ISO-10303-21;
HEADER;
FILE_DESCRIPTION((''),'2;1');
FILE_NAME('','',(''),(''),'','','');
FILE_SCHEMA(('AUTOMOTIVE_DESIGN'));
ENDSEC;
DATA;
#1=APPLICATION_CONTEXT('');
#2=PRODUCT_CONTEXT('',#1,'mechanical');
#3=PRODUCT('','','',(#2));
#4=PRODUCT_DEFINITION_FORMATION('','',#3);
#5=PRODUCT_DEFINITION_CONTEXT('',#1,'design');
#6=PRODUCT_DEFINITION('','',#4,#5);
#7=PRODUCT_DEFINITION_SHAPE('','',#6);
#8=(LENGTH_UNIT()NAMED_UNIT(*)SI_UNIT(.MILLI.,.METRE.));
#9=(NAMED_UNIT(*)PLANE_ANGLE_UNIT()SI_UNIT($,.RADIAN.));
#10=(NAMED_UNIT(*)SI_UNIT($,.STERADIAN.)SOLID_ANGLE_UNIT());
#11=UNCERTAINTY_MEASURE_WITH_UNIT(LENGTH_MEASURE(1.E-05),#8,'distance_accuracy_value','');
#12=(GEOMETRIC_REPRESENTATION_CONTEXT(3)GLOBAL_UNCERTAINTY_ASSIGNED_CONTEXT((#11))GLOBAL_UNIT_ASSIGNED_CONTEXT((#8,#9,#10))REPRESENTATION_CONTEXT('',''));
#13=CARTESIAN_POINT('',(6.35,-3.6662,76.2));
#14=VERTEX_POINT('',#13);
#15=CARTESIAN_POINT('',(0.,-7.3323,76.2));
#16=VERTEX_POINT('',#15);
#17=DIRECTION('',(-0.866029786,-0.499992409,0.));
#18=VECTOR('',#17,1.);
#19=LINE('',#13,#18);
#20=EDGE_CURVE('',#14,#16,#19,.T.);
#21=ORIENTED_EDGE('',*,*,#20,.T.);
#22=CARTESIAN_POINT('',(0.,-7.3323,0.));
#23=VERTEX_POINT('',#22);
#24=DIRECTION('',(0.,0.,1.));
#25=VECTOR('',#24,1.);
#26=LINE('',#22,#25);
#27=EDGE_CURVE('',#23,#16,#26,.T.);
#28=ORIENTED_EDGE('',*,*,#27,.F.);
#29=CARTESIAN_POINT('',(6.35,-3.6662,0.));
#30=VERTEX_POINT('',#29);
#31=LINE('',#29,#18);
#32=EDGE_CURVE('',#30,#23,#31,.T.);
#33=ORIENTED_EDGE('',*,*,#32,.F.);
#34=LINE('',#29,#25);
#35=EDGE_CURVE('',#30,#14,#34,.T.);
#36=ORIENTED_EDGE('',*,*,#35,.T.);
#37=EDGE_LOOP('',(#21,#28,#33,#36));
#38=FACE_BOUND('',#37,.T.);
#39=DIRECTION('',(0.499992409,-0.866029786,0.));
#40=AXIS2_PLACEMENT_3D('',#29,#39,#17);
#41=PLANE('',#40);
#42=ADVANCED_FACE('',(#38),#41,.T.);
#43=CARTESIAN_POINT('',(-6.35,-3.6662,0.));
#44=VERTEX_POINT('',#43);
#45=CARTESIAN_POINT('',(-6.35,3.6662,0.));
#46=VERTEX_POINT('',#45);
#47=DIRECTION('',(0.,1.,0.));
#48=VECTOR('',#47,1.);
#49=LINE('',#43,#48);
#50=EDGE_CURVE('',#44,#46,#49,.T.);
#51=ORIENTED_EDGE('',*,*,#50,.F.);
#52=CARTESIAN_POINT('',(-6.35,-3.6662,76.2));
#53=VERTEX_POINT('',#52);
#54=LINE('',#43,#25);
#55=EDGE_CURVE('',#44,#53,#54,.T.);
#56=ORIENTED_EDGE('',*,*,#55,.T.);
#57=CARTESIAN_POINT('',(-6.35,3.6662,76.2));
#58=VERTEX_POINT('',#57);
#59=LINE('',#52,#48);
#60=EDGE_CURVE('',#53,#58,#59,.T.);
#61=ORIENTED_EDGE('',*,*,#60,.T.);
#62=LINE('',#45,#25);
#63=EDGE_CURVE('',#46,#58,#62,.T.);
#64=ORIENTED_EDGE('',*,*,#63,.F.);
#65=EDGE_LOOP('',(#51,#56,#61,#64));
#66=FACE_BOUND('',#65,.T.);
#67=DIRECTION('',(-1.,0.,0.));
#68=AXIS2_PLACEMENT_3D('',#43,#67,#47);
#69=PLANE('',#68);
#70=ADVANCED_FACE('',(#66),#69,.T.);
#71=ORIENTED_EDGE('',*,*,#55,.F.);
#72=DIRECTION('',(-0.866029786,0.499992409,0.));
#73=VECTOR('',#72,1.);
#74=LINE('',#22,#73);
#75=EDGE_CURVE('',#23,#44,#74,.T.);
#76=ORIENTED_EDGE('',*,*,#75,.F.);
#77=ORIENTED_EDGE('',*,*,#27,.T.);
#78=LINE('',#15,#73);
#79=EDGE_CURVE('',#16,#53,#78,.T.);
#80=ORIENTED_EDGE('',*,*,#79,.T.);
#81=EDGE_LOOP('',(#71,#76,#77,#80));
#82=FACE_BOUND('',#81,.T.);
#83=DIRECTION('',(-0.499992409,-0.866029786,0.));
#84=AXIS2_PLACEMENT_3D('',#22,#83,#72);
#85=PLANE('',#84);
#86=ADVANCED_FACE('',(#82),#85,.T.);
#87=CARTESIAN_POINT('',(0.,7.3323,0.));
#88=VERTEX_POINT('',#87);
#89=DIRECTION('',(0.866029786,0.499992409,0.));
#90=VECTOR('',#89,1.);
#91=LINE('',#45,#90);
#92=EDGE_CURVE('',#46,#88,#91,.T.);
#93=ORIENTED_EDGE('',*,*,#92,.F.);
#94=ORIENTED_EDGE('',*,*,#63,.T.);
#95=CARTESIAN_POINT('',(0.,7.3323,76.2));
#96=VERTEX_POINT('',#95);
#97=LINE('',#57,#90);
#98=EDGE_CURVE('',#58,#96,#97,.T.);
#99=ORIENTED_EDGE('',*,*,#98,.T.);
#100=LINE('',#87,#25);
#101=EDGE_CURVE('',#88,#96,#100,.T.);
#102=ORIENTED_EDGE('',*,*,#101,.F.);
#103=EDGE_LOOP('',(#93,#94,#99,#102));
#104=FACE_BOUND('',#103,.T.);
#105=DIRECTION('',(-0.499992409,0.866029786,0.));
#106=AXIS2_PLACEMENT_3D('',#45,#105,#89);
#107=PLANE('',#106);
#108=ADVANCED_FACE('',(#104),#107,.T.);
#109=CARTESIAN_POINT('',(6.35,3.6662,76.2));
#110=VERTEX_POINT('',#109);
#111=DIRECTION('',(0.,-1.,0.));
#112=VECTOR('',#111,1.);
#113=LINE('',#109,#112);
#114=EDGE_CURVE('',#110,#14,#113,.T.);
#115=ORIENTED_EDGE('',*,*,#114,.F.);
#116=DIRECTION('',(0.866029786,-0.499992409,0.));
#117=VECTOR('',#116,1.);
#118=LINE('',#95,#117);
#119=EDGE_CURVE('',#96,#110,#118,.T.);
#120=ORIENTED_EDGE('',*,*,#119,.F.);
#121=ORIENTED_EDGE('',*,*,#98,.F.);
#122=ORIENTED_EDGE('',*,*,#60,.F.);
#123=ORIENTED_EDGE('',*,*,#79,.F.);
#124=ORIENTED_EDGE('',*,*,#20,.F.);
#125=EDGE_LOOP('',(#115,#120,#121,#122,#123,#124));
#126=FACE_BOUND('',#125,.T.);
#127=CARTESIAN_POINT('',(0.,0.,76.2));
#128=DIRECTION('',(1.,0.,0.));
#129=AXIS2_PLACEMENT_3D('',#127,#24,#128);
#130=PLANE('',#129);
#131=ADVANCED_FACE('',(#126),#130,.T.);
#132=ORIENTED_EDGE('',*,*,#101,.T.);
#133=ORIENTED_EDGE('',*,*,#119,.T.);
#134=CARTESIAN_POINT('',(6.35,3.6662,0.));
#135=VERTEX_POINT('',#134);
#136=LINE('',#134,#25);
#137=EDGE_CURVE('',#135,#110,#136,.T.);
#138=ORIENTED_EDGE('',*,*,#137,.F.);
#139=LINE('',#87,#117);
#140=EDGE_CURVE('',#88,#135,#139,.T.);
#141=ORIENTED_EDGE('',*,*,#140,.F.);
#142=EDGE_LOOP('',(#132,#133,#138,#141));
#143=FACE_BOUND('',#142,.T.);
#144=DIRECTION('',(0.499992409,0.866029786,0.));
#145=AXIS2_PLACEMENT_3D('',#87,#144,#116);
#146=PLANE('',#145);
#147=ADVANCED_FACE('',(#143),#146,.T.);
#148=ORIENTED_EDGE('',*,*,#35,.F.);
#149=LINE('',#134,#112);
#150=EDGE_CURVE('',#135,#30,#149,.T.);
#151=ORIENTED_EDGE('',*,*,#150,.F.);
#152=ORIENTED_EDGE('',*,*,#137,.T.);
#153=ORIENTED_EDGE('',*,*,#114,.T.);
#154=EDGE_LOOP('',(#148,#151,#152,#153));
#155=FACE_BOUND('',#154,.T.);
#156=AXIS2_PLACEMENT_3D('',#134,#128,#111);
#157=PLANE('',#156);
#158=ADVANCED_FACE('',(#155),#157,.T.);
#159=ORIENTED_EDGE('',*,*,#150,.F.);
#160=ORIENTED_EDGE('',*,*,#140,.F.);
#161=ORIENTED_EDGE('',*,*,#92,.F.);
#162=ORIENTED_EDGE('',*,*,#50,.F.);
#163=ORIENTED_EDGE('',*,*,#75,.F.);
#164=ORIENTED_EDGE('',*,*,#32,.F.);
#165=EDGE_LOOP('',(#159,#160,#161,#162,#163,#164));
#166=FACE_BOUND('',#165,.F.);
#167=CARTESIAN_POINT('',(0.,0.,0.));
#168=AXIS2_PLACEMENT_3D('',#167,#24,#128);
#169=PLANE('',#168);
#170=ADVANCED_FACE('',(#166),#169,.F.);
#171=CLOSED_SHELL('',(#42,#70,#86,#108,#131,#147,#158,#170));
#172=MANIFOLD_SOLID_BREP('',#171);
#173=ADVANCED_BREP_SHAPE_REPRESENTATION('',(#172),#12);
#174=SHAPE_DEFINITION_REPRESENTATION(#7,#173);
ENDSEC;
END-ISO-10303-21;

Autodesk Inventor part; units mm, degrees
ref_plane "YZ Plane" through (0, 0, 0) normal (1, 0, 0) x (0, 1, 0)
ref_plane "XZ Plane" through (0, 0, 0) normal (0, 1, 0) x (-1, 0, 0)
ref_plane "XY Plane" through (0, 0, 0) normal (0, 0, 1) x (1, 0, 0)
sketch "Sketch1" plane through (0, 0, 0) normal (0, 0, 1) x (1, 0, 0)
  line L0 (0, 7.3323) -> (6.35, 3.6662)
  line L1 (6.35, 3.6662) -> (6.35, -3.6662)
  line L2 (6.35, -3.6662) -> (0, -7.3323)
  line L3 (0, -7.3323) -> (-6.35, -3.6662)
  line L4 (-6.35, -3.6662) -> (-6.35, 3.6662)
  line L5 (-6.35, 3.6662) -> (0, 7.3323)
  point P0 (0, 0)
  point P1 (0, 0)
  dimension "d0" = 12.7
extrude "Extrusion1" add sketch "Sketch1" along normal blind 76.2
properties part number "half inch hex axle2"
